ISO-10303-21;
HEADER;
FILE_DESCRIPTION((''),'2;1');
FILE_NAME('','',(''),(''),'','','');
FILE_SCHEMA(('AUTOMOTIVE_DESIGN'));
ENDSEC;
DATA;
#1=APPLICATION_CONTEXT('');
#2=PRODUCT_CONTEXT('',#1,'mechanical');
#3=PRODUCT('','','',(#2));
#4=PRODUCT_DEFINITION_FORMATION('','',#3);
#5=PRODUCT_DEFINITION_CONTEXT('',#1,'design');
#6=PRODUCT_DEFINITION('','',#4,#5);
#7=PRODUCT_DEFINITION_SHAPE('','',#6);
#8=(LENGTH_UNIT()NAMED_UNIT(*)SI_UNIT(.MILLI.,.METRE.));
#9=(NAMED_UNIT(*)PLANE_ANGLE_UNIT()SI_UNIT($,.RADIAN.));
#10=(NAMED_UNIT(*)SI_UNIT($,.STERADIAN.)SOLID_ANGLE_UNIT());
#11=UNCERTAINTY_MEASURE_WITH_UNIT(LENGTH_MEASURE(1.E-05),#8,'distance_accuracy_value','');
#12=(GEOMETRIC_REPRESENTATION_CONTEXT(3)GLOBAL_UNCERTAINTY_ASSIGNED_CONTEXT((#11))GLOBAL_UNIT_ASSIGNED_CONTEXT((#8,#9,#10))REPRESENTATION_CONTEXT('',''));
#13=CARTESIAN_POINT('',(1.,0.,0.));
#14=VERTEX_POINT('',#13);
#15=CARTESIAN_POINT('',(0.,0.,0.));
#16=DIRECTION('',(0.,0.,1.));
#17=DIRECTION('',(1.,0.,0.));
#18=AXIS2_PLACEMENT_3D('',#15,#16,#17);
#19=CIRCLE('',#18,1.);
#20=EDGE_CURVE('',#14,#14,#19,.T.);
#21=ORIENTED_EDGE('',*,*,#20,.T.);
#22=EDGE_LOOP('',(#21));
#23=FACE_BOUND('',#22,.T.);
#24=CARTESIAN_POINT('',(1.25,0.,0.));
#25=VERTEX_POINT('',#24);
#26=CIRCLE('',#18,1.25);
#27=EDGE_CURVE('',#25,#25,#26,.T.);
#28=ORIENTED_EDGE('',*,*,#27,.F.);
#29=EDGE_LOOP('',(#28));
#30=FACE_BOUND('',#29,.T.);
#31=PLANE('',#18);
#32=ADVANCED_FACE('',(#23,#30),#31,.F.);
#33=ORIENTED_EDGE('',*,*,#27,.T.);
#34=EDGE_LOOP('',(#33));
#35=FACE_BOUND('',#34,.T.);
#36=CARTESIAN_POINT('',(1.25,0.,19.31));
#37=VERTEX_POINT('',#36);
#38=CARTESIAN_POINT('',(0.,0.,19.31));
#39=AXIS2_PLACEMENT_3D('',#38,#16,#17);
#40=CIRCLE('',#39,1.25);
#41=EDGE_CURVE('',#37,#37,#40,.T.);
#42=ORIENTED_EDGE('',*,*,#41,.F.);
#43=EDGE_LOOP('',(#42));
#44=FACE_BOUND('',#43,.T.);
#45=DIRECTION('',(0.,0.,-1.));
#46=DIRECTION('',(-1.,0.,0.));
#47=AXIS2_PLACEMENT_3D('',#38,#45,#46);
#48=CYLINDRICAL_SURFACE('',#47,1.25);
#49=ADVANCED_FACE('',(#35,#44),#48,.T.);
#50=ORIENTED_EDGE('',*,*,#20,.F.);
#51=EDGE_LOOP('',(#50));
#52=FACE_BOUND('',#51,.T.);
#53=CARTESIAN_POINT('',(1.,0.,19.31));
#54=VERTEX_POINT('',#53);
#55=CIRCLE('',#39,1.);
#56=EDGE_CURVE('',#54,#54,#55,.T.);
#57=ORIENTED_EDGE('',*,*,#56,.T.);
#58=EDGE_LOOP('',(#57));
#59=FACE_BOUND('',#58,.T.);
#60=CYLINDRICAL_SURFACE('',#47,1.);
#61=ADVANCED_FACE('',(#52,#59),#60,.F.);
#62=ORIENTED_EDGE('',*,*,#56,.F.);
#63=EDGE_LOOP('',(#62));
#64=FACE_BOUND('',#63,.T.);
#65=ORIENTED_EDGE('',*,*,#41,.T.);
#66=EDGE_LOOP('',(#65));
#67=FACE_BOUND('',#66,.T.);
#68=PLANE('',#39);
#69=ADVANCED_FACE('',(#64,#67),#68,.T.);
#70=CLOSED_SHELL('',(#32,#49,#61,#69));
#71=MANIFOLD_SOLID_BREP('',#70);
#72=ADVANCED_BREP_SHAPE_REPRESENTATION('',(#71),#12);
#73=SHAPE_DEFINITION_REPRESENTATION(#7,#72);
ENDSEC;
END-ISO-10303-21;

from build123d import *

# Parameters (mm, degrees)
SKETCH1_R           = 1.25
SKETCH1_R_2         = 1
BOSS_EXTRUDE1_DEPTH = 19.31


with BuildPart() as part:
    # Sketch1 → Boss-Extrude1 (new body)
    with BuildSketch(Plane.XY):
        Circle(SKETCH1_R)
        Circle(SKETCH1_R_2, mode=Mode.SUBTRACT)
    extrude(amount=BOSS_EXTRUDE1_DEPTH)


solid = part.part
